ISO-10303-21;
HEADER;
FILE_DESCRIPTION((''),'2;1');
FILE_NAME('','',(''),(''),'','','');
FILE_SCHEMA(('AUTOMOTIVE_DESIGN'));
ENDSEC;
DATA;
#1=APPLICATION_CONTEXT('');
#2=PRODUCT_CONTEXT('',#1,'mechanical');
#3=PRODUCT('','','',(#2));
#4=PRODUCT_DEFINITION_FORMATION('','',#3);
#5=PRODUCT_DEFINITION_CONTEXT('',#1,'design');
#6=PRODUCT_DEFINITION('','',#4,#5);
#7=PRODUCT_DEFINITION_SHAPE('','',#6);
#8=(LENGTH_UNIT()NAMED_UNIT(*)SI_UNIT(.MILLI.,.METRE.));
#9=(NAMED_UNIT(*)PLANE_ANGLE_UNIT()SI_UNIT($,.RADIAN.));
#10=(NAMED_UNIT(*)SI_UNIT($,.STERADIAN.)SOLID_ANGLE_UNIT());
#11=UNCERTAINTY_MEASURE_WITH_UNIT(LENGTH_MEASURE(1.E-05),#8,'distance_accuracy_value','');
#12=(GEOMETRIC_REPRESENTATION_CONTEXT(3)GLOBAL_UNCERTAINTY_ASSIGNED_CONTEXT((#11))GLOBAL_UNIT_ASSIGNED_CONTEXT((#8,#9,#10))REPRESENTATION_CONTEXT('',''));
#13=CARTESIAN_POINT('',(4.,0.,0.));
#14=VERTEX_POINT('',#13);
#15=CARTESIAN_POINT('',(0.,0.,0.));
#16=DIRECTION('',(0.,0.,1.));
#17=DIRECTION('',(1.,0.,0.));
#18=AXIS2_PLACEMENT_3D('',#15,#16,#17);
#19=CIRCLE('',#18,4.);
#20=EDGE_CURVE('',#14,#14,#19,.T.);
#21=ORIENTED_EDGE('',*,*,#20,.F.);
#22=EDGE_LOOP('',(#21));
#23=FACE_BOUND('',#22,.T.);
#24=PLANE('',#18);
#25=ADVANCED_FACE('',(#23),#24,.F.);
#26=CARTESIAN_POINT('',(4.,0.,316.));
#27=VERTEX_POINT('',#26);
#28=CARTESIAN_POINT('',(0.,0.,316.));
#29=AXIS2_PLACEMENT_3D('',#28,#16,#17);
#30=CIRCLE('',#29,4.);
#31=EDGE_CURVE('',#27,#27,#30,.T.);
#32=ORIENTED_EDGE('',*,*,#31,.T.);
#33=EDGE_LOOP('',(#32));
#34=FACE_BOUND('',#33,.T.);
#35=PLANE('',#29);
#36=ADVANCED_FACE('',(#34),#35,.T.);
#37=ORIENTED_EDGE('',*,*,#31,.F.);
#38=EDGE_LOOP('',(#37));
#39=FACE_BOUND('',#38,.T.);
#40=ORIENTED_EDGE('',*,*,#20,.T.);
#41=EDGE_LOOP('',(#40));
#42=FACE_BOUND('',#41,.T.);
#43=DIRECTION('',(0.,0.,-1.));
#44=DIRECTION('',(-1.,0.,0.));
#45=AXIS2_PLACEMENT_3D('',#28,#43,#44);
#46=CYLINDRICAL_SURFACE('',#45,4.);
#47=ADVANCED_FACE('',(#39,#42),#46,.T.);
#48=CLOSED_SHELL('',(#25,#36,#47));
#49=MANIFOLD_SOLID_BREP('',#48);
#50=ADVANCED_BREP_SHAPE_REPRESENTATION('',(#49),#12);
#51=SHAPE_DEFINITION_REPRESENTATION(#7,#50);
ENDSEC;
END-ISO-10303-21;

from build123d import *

# Parameters (mm, degrees)
SKETCH1_R           = 4
BOSS_EXTRUDE1_DEPTH = 316


with BuildPart() as part:
    # Sketch1 → Boss-Extrude1 (new body)
    with BuildSketch(Plane(origin=(0, 0, 0), x_dir=(0, 1, 0), z_dir=(0, 0, 1))):
        with Locations(Location((0, 0, 0), (0, 0, 270))):
            Circle(SKETCH1_R)
    extrude(amount=BOSS_EXTRUDE1_DEPTH)


solid = part.part
